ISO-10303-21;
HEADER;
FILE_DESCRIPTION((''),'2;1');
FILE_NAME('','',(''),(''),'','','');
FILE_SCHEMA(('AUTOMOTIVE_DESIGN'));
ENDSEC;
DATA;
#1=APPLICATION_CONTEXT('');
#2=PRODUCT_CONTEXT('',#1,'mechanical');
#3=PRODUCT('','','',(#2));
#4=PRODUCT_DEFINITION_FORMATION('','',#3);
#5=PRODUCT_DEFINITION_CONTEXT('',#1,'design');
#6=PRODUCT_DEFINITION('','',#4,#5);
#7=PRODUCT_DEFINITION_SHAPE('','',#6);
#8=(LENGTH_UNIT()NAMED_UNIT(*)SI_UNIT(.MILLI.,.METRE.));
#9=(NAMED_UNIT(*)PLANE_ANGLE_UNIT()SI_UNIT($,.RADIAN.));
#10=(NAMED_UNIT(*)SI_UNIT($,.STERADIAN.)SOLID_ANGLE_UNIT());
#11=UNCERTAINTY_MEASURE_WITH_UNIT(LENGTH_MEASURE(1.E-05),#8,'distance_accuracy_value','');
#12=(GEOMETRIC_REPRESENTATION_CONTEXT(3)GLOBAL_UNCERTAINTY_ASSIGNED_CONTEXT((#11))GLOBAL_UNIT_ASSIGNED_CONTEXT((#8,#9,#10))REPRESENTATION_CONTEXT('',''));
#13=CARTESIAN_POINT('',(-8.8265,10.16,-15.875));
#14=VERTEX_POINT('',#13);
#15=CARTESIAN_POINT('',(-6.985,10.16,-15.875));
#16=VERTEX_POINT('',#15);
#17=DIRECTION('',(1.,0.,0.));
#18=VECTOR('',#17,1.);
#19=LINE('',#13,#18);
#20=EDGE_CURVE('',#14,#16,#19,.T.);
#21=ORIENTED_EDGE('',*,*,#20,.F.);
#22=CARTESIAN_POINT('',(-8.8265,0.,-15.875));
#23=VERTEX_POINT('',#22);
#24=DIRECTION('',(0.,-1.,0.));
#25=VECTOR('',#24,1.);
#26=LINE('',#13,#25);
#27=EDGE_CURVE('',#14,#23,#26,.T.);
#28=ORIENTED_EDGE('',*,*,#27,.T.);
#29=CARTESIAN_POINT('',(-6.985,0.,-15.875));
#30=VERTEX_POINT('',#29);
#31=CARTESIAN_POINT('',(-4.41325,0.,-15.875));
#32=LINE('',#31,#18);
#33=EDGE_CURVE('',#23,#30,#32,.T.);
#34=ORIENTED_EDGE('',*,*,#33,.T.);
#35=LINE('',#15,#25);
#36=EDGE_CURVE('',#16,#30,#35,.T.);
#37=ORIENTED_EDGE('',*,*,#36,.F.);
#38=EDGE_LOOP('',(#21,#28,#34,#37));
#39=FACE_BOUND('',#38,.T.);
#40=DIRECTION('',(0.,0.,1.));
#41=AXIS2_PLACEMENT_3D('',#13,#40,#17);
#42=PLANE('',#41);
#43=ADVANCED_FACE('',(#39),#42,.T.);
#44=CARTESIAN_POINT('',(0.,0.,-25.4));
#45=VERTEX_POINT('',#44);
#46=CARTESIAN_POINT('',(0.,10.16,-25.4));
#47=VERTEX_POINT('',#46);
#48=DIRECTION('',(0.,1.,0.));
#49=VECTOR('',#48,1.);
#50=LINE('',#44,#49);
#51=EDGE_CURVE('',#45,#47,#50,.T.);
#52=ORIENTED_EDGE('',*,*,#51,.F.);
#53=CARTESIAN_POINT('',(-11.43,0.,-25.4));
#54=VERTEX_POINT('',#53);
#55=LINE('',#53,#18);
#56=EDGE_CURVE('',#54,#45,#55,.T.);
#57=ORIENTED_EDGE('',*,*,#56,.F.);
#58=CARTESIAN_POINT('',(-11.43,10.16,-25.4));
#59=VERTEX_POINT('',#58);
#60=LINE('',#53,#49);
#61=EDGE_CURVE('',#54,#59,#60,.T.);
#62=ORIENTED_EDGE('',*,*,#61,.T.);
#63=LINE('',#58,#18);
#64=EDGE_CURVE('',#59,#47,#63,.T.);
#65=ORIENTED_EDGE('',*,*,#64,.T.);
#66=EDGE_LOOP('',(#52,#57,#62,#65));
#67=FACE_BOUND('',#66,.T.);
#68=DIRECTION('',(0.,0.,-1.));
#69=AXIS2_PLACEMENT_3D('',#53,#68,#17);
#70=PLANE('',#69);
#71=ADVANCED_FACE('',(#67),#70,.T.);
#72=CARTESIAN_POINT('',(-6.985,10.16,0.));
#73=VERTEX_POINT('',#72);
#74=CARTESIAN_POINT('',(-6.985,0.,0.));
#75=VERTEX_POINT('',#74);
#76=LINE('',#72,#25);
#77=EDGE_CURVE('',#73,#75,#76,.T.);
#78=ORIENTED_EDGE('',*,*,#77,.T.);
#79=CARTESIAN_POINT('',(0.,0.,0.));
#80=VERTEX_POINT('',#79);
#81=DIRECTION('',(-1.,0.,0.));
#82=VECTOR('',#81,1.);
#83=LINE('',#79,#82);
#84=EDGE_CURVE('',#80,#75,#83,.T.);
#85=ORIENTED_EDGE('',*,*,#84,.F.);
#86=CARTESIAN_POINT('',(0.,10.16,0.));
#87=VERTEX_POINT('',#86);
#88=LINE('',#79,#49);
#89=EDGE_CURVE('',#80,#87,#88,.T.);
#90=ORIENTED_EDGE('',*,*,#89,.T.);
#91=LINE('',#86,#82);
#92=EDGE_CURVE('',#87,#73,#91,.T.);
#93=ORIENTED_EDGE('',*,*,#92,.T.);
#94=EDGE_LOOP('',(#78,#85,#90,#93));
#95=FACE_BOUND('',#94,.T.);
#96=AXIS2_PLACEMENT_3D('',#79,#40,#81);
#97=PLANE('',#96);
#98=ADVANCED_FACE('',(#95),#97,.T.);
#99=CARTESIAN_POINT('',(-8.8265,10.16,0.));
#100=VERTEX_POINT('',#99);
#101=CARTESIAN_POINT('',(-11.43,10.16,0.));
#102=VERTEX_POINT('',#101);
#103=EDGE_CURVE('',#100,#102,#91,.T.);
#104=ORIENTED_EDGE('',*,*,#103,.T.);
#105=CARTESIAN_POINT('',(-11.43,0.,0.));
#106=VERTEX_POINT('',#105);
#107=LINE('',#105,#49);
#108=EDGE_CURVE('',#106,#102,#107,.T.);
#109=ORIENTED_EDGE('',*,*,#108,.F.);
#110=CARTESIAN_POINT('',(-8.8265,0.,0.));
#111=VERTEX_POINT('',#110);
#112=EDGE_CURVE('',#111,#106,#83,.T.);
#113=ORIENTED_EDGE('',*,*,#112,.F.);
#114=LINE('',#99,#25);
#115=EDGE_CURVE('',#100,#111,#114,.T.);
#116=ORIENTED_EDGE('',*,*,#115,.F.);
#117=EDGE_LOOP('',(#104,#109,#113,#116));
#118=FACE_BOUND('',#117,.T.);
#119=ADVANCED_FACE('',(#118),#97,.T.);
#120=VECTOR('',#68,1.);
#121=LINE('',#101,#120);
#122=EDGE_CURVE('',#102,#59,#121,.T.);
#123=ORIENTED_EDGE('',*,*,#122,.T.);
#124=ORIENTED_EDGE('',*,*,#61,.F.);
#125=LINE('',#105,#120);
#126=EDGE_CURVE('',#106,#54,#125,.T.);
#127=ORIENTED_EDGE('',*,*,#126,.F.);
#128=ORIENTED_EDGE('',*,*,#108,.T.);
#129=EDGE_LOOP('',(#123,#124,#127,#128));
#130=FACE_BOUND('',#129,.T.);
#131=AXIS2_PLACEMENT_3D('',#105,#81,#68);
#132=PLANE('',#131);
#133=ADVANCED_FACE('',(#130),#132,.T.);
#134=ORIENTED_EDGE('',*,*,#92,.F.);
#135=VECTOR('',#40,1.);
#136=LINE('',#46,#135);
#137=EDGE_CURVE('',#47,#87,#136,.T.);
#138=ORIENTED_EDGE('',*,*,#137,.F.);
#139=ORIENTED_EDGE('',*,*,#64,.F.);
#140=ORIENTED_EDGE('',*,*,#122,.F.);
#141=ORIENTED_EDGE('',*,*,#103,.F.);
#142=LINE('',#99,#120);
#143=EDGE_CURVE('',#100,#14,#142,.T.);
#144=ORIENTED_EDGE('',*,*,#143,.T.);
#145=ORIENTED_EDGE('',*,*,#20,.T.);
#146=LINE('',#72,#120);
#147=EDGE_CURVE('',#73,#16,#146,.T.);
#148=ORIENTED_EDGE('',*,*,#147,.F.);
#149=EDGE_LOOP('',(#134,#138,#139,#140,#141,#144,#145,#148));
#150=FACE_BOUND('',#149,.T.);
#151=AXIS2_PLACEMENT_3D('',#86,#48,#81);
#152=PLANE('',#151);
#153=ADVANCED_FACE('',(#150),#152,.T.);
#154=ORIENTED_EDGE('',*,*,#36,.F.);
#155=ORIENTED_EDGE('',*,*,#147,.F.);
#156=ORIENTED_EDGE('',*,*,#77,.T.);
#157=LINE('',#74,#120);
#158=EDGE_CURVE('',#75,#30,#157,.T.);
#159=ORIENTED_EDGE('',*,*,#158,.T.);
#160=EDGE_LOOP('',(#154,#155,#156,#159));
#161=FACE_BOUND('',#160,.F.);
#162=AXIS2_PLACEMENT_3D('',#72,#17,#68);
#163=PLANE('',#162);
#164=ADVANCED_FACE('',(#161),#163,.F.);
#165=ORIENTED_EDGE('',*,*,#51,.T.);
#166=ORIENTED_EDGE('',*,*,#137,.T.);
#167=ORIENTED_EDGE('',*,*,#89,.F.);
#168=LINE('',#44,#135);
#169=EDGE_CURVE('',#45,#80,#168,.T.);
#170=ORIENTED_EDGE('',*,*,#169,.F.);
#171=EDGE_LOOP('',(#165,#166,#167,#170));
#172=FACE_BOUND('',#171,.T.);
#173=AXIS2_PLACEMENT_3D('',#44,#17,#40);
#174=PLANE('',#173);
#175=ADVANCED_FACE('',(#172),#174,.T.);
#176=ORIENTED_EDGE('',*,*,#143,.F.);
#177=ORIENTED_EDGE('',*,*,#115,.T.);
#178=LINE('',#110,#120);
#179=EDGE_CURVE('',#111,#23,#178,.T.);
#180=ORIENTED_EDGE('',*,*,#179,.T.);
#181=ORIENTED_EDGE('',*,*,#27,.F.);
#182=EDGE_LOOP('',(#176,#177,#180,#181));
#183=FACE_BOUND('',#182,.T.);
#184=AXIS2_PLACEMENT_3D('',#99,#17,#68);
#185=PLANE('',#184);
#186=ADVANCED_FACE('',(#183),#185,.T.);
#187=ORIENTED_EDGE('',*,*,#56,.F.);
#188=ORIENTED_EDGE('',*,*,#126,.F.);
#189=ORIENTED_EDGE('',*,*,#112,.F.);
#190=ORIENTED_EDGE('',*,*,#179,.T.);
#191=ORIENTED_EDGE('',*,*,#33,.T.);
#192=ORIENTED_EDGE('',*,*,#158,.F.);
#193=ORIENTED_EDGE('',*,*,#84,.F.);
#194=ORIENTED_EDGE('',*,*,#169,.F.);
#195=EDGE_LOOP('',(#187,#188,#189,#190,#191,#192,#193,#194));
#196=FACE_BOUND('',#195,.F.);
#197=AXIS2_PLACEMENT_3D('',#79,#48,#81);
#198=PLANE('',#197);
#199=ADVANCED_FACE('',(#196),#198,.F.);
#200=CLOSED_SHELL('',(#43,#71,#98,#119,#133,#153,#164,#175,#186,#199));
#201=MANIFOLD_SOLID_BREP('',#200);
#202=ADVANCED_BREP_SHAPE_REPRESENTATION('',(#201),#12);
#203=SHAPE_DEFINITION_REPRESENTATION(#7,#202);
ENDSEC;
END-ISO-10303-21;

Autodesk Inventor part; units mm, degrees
ref_plane "YZ Plane" through (0, 0, 0) normal (1, 0, 0) x (0, 1, 0)
ref_plane "XZ Plane" through (0, 0, 0) normal (0, 1, 0) x (-1, 0, 0)
ref_plane "XY Plane" through (0, 0, 0) normal (0, 0, 1) x (1, 0, 0)
sketch "Sketch1" plane through (0, 0, 0) normal (0, 1, 0) x (-1, 0, 0)
  line L0 (0, 0) -> (11.43, 0)
  line L1 (11.43, 0) -> (11.43, -25.4)
  line L2 (11.43, -25.4) -> (0, -25.4)
  line L3 (0, -25.4) -> (0, 0)
  dimension "d0" = 11.43
  dimension "d1" = 25.4
extrude "Extrusion1" add sketch "Sketch1" along normal blind 10.16
sketch "Sketch2" plane through (0, 10.16, 0) normal (0, 1, 0) x (1, 0, 0)
  line L0 (0, 0) -> (0, 25.4) projected
  line L1 (0, 0) -> (-6.985, 0)
  line L2 (-6.985, 0) -> (-6.985, 4.6296)
  line L3 (-6.985, 4.6296) -> (0, 4.6296)
  line L4 (0, 4.6296) -> (0, 0)
  line L5 (-6.985, 0) -> (-8.8265, 0)
  line L6 (-8.8265, 0) -> (-8.8265, 15.875)
  line L7 (-8.8265, 15.875) -> (-6.985, 15.875)
  line L8 (-6.985, 15.875) -> (-6.985, 0)
  dimension "d4" = 6.985
  dimension "d5" = 1.8415
  dimension "d6" = 15.875
extrude "Extrusion2" cut sketch "Sketch2" against normal blind 12.7 contours L5 L6 L7 L8 L2
properties part number "PCB_Holder"
